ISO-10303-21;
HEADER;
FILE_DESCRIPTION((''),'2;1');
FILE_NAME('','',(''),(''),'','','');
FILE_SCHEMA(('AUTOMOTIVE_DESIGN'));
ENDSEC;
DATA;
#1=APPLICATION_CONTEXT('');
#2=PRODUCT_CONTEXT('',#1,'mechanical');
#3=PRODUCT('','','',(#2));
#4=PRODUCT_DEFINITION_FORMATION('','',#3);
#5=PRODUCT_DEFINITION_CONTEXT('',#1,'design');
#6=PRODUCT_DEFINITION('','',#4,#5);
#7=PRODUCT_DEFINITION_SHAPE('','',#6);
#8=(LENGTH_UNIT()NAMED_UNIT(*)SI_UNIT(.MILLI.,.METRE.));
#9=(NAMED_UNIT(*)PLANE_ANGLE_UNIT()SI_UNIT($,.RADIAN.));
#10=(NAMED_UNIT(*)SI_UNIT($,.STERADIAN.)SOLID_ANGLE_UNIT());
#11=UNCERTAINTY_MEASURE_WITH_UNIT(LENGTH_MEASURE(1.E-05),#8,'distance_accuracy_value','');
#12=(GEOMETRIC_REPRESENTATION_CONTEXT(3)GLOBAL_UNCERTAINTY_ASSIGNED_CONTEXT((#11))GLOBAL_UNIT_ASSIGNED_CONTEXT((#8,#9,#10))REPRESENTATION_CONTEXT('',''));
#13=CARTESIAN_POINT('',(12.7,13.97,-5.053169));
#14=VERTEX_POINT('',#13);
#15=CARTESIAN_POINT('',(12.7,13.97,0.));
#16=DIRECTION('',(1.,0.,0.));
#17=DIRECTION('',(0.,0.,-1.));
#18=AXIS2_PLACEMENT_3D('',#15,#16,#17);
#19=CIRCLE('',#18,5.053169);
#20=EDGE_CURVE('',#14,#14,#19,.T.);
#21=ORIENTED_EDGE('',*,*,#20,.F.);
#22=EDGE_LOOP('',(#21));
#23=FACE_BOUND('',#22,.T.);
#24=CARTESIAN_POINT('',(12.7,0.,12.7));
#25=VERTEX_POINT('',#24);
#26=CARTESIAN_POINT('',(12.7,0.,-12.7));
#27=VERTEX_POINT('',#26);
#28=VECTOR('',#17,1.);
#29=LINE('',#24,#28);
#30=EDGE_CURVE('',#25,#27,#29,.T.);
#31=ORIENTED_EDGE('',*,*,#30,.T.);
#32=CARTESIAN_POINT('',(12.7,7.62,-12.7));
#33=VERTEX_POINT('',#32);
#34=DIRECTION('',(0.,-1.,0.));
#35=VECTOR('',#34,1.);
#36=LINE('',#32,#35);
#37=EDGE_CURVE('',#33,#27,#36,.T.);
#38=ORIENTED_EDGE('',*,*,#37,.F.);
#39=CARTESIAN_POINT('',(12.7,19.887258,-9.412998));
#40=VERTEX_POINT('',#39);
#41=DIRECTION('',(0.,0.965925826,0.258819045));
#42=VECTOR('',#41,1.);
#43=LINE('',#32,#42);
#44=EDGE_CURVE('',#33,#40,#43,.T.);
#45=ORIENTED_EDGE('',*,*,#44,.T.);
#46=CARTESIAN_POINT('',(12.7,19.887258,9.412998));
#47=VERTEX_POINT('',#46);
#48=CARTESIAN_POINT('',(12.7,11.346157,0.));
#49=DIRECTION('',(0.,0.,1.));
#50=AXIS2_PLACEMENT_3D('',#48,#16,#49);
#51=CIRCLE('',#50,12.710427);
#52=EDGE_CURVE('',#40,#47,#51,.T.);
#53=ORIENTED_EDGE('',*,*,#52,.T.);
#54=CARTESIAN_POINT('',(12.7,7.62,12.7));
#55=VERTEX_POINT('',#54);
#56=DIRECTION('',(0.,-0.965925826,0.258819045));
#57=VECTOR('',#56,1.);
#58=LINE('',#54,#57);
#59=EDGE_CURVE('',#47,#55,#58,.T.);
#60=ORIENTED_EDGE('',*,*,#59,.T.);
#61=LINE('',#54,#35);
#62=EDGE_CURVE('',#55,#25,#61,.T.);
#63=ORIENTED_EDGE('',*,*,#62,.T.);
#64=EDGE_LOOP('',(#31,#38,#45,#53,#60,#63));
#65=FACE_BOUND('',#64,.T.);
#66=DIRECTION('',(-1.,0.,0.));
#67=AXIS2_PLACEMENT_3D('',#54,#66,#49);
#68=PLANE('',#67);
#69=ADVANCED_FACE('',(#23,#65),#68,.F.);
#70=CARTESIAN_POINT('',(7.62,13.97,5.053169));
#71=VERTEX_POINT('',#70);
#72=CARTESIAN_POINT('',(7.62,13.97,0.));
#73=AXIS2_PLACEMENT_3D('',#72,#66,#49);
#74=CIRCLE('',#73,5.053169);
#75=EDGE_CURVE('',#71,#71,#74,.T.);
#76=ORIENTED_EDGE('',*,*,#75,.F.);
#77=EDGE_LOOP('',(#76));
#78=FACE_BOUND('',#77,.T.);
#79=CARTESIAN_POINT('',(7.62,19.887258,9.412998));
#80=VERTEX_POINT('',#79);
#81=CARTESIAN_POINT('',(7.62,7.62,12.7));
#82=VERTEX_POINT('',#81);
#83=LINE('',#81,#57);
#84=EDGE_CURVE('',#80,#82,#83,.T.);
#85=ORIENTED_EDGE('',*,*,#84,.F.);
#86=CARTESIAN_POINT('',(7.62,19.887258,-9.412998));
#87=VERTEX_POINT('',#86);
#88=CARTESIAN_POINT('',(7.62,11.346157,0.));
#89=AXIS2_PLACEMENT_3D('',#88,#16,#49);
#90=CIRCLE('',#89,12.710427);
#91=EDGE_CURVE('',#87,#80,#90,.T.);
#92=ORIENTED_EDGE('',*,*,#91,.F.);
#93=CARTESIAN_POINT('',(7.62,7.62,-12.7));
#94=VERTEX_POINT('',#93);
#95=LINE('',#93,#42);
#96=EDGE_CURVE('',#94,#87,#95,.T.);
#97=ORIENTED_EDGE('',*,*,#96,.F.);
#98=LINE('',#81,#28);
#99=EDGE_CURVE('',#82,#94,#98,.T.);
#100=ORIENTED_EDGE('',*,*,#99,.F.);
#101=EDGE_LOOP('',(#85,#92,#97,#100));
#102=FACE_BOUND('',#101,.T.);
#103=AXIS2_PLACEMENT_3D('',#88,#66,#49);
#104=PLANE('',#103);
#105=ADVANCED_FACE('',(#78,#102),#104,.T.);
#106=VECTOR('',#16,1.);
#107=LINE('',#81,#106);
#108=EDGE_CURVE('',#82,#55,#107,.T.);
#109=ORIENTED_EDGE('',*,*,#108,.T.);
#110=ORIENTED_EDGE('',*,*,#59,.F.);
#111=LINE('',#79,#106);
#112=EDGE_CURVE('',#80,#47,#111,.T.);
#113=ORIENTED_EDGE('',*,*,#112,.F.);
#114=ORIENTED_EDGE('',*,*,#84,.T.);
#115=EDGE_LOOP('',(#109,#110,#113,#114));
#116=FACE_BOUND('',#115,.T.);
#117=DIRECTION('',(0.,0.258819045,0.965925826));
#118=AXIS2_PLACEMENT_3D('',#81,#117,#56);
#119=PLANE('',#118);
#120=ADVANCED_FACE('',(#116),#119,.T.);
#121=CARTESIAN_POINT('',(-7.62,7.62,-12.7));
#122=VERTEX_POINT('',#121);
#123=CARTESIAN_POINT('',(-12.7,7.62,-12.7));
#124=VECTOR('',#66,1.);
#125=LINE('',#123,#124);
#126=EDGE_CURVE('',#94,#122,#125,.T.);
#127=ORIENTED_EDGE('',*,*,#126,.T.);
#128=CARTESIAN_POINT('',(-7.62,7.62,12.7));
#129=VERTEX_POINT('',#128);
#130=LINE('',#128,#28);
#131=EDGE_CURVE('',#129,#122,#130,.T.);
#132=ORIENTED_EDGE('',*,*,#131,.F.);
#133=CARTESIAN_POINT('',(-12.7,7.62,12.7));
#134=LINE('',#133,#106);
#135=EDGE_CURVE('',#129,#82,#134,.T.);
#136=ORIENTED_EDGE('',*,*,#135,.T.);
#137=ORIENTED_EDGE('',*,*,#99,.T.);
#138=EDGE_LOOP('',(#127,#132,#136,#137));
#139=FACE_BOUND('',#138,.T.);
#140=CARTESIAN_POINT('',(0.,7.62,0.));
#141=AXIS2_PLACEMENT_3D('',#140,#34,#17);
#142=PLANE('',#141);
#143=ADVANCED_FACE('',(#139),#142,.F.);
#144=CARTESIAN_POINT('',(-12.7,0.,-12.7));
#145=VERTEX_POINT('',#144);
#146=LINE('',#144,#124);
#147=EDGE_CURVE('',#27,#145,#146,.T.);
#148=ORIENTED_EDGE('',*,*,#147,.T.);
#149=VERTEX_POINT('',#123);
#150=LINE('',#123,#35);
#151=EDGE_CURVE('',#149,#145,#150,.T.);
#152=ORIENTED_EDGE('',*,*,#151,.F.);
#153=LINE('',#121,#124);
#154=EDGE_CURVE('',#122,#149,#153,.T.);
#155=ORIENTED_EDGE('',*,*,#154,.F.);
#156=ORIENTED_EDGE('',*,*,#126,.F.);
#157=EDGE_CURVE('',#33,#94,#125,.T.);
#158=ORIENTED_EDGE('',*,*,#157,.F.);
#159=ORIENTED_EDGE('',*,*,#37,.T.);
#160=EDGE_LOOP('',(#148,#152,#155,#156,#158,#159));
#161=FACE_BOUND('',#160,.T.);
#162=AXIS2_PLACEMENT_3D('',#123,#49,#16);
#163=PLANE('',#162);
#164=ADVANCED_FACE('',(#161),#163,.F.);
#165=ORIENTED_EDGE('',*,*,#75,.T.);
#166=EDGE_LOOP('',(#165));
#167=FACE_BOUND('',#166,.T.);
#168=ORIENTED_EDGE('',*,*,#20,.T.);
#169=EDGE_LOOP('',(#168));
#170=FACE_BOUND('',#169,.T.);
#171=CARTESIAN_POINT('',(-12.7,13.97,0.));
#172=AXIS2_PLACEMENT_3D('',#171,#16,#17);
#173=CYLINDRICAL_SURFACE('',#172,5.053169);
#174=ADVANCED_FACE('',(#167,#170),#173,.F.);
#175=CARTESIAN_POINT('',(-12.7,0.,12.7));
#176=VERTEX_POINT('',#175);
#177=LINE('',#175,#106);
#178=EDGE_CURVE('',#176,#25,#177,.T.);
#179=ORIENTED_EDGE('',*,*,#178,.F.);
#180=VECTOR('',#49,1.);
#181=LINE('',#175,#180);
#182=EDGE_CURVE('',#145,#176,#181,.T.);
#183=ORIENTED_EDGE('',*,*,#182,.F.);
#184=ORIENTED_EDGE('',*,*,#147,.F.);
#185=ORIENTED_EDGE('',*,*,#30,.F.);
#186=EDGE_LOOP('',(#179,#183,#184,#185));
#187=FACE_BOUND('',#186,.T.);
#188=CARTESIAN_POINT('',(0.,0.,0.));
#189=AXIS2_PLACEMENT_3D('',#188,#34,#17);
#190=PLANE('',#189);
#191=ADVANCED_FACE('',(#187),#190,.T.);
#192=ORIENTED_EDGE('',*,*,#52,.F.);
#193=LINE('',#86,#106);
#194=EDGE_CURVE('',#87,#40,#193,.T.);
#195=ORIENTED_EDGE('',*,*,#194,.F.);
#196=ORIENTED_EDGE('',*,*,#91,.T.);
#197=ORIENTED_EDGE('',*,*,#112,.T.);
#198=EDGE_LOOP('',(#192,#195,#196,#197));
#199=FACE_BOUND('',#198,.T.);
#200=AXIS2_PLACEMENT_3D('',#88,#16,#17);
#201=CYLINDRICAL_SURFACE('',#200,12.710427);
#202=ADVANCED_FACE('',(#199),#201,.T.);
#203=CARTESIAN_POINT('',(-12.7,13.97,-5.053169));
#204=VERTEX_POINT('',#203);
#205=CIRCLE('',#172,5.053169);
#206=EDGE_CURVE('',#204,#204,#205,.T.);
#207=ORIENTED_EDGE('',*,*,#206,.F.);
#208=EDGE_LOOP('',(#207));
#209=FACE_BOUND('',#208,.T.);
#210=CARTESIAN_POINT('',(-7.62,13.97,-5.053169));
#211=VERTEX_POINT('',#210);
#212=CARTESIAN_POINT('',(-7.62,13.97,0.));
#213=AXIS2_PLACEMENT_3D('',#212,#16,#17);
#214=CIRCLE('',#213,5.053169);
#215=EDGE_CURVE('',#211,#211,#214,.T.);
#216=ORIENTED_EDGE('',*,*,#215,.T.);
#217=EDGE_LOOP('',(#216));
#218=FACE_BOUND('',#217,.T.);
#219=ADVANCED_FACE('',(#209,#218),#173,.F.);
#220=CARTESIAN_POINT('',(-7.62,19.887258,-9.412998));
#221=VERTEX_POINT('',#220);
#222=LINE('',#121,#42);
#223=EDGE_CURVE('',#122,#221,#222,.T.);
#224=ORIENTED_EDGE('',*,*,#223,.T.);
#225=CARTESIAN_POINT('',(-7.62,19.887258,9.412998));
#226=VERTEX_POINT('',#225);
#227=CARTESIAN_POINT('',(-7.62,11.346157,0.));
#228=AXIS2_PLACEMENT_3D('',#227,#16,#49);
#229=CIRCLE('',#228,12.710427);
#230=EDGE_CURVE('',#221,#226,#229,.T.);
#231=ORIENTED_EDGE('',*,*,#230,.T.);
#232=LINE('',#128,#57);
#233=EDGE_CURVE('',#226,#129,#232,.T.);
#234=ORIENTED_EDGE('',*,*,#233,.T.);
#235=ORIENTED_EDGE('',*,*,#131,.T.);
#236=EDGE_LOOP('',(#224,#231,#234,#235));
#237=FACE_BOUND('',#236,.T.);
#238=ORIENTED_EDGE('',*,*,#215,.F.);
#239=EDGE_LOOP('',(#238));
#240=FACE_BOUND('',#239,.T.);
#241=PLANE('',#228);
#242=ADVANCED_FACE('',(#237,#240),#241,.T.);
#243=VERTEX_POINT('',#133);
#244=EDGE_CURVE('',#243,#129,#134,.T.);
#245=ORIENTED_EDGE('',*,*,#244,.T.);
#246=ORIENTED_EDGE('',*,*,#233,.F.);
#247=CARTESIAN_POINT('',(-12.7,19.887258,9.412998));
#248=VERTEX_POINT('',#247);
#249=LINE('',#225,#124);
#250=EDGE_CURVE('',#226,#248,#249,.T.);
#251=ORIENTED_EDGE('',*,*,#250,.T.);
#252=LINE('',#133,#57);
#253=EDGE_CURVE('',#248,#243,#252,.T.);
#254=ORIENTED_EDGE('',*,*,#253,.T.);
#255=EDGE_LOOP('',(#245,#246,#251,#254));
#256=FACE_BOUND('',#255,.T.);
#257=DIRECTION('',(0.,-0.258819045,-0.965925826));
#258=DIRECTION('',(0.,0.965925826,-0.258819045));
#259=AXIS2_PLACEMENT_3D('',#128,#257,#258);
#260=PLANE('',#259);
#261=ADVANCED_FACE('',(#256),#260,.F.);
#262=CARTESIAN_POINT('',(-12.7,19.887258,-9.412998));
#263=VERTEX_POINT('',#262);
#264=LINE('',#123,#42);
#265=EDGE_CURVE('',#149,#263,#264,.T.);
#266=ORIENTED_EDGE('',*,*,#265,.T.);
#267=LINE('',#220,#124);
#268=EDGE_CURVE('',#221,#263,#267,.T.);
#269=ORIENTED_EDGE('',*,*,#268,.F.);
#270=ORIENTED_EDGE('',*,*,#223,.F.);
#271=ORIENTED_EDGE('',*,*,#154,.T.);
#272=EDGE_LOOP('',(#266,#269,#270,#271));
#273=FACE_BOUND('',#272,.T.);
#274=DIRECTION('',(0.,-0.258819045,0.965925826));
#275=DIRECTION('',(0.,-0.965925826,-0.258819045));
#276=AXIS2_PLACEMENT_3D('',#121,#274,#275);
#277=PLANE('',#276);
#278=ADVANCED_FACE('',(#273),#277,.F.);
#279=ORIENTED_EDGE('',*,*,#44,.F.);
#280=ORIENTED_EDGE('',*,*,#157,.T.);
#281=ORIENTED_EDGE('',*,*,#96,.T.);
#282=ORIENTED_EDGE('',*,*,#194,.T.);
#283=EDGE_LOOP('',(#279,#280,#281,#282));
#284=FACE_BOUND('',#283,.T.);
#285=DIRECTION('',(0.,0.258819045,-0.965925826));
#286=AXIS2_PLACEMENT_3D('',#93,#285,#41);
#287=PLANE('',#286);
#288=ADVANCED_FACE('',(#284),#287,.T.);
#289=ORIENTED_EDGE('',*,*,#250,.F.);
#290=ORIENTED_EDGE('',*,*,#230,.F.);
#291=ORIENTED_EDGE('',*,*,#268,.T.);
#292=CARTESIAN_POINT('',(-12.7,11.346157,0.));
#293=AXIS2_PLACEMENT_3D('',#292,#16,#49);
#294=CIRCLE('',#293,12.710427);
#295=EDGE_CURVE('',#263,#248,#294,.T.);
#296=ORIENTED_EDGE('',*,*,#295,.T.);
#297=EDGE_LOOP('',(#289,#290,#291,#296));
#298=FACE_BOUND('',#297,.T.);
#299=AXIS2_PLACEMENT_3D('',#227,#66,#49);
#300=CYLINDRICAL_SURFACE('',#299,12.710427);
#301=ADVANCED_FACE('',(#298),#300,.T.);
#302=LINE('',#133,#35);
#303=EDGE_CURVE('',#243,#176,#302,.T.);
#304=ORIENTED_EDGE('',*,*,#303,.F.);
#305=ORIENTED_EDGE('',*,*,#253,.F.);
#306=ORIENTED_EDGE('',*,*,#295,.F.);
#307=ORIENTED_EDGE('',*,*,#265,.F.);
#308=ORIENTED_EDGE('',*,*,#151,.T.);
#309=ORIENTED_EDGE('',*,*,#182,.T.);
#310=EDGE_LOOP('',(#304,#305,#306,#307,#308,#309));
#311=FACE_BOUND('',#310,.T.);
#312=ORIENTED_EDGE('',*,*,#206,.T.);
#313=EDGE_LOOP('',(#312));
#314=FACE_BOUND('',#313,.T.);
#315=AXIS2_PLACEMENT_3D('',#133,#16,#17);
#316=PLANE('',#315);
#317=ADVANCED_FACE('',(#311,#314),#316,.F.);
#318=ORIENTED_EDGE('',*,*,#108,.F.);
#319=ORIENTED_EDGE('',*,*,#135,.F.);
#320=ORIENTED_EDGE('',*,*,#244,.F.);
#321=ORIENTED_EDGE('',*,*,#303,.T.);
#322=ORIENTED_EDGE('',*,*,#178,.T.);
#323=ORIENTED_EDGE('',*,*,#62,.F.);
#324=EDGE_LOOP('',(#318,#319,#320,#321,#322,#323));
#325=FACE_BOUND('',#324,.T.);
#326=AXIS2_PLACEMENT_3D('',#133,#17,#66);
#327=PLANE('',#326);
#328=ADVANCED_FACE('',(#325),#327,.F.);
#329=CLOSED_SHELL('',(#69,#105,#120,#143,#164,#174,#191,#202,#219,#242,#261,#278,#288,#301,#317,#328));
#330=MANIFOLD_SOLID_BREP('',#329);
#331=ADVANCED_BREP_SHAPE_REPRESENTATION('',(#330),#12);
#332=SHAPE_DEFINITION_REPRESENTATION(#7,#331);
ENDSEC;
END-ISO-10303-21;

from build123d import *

# Parameters (mm, degrees)
SKETCH1_W           = 25.4
SKETCH1_H           = 25.4
BOSS_EXTRUDE1_DEPTH = 7.62
BOSS_EXTRUDE2_DEPTH = 5.08
SKETCH3_R           = 5.053169443
CUT_EXTRUDE1_DEPTH  = 26.4


with BuildPart() as part:
    # Sketch1 → Boss-Extrude1 (new body)
    with BuildSketch(Plane(origin=(0, 0, 0), x_dir=(1, 0, 0), z_dir=(0, 1, 0))):
        Rectangle(SKETCH1_W, SKETCH1_H)
    extrude(amount=BOSS_EXTRUDE1_DEPTH)

    # Sketch2 → Boss-Extrude2 (add)
    with BuildSketch(Plane(origin=(12.7, 0, 0), x_dir=(0, 0, -1), z_dir=(1, 0, 0))):
        with BuildLine():
            Line((-12.7, 7.62), (-9.412998127, 19.887257994))
            ThreePointArc((-9.412998127, 19.887257994), (0, 24.05658338), (9.412998127, 19.887257994))
            Line((9.412998127, 19.887257994), (12.7, 7.62))
            Line((12.7, 7.62), (-12.7, 7.62))
        make_face()
    boss_extrude2 = extrude(amount=-BOSS_EXTRUDE2_DEPTH)

    # Mirror1: Boss-Extrude2 across plane
    add(boss_extrude2.mirror(Plane(origin=(0, 0, 0), x_dir=(0, 0, 1), z_dir=(1, 0, 0))))

    # Sketch3 → Cut-Extrude1 (cut, through all)
    with BuildSketch(Plane(origin=(12.7, 0, 0), x_dir=(0, 0, -1), z_dir=(1, 0, 0))):
        with Locations((0, 13.97)):
            Circle(SKETCH3_R)
    extrude(amount=-CUT_EXTRUDE1_DEPTH, mode=Mode.SUBTRACT)


solid = part.part
